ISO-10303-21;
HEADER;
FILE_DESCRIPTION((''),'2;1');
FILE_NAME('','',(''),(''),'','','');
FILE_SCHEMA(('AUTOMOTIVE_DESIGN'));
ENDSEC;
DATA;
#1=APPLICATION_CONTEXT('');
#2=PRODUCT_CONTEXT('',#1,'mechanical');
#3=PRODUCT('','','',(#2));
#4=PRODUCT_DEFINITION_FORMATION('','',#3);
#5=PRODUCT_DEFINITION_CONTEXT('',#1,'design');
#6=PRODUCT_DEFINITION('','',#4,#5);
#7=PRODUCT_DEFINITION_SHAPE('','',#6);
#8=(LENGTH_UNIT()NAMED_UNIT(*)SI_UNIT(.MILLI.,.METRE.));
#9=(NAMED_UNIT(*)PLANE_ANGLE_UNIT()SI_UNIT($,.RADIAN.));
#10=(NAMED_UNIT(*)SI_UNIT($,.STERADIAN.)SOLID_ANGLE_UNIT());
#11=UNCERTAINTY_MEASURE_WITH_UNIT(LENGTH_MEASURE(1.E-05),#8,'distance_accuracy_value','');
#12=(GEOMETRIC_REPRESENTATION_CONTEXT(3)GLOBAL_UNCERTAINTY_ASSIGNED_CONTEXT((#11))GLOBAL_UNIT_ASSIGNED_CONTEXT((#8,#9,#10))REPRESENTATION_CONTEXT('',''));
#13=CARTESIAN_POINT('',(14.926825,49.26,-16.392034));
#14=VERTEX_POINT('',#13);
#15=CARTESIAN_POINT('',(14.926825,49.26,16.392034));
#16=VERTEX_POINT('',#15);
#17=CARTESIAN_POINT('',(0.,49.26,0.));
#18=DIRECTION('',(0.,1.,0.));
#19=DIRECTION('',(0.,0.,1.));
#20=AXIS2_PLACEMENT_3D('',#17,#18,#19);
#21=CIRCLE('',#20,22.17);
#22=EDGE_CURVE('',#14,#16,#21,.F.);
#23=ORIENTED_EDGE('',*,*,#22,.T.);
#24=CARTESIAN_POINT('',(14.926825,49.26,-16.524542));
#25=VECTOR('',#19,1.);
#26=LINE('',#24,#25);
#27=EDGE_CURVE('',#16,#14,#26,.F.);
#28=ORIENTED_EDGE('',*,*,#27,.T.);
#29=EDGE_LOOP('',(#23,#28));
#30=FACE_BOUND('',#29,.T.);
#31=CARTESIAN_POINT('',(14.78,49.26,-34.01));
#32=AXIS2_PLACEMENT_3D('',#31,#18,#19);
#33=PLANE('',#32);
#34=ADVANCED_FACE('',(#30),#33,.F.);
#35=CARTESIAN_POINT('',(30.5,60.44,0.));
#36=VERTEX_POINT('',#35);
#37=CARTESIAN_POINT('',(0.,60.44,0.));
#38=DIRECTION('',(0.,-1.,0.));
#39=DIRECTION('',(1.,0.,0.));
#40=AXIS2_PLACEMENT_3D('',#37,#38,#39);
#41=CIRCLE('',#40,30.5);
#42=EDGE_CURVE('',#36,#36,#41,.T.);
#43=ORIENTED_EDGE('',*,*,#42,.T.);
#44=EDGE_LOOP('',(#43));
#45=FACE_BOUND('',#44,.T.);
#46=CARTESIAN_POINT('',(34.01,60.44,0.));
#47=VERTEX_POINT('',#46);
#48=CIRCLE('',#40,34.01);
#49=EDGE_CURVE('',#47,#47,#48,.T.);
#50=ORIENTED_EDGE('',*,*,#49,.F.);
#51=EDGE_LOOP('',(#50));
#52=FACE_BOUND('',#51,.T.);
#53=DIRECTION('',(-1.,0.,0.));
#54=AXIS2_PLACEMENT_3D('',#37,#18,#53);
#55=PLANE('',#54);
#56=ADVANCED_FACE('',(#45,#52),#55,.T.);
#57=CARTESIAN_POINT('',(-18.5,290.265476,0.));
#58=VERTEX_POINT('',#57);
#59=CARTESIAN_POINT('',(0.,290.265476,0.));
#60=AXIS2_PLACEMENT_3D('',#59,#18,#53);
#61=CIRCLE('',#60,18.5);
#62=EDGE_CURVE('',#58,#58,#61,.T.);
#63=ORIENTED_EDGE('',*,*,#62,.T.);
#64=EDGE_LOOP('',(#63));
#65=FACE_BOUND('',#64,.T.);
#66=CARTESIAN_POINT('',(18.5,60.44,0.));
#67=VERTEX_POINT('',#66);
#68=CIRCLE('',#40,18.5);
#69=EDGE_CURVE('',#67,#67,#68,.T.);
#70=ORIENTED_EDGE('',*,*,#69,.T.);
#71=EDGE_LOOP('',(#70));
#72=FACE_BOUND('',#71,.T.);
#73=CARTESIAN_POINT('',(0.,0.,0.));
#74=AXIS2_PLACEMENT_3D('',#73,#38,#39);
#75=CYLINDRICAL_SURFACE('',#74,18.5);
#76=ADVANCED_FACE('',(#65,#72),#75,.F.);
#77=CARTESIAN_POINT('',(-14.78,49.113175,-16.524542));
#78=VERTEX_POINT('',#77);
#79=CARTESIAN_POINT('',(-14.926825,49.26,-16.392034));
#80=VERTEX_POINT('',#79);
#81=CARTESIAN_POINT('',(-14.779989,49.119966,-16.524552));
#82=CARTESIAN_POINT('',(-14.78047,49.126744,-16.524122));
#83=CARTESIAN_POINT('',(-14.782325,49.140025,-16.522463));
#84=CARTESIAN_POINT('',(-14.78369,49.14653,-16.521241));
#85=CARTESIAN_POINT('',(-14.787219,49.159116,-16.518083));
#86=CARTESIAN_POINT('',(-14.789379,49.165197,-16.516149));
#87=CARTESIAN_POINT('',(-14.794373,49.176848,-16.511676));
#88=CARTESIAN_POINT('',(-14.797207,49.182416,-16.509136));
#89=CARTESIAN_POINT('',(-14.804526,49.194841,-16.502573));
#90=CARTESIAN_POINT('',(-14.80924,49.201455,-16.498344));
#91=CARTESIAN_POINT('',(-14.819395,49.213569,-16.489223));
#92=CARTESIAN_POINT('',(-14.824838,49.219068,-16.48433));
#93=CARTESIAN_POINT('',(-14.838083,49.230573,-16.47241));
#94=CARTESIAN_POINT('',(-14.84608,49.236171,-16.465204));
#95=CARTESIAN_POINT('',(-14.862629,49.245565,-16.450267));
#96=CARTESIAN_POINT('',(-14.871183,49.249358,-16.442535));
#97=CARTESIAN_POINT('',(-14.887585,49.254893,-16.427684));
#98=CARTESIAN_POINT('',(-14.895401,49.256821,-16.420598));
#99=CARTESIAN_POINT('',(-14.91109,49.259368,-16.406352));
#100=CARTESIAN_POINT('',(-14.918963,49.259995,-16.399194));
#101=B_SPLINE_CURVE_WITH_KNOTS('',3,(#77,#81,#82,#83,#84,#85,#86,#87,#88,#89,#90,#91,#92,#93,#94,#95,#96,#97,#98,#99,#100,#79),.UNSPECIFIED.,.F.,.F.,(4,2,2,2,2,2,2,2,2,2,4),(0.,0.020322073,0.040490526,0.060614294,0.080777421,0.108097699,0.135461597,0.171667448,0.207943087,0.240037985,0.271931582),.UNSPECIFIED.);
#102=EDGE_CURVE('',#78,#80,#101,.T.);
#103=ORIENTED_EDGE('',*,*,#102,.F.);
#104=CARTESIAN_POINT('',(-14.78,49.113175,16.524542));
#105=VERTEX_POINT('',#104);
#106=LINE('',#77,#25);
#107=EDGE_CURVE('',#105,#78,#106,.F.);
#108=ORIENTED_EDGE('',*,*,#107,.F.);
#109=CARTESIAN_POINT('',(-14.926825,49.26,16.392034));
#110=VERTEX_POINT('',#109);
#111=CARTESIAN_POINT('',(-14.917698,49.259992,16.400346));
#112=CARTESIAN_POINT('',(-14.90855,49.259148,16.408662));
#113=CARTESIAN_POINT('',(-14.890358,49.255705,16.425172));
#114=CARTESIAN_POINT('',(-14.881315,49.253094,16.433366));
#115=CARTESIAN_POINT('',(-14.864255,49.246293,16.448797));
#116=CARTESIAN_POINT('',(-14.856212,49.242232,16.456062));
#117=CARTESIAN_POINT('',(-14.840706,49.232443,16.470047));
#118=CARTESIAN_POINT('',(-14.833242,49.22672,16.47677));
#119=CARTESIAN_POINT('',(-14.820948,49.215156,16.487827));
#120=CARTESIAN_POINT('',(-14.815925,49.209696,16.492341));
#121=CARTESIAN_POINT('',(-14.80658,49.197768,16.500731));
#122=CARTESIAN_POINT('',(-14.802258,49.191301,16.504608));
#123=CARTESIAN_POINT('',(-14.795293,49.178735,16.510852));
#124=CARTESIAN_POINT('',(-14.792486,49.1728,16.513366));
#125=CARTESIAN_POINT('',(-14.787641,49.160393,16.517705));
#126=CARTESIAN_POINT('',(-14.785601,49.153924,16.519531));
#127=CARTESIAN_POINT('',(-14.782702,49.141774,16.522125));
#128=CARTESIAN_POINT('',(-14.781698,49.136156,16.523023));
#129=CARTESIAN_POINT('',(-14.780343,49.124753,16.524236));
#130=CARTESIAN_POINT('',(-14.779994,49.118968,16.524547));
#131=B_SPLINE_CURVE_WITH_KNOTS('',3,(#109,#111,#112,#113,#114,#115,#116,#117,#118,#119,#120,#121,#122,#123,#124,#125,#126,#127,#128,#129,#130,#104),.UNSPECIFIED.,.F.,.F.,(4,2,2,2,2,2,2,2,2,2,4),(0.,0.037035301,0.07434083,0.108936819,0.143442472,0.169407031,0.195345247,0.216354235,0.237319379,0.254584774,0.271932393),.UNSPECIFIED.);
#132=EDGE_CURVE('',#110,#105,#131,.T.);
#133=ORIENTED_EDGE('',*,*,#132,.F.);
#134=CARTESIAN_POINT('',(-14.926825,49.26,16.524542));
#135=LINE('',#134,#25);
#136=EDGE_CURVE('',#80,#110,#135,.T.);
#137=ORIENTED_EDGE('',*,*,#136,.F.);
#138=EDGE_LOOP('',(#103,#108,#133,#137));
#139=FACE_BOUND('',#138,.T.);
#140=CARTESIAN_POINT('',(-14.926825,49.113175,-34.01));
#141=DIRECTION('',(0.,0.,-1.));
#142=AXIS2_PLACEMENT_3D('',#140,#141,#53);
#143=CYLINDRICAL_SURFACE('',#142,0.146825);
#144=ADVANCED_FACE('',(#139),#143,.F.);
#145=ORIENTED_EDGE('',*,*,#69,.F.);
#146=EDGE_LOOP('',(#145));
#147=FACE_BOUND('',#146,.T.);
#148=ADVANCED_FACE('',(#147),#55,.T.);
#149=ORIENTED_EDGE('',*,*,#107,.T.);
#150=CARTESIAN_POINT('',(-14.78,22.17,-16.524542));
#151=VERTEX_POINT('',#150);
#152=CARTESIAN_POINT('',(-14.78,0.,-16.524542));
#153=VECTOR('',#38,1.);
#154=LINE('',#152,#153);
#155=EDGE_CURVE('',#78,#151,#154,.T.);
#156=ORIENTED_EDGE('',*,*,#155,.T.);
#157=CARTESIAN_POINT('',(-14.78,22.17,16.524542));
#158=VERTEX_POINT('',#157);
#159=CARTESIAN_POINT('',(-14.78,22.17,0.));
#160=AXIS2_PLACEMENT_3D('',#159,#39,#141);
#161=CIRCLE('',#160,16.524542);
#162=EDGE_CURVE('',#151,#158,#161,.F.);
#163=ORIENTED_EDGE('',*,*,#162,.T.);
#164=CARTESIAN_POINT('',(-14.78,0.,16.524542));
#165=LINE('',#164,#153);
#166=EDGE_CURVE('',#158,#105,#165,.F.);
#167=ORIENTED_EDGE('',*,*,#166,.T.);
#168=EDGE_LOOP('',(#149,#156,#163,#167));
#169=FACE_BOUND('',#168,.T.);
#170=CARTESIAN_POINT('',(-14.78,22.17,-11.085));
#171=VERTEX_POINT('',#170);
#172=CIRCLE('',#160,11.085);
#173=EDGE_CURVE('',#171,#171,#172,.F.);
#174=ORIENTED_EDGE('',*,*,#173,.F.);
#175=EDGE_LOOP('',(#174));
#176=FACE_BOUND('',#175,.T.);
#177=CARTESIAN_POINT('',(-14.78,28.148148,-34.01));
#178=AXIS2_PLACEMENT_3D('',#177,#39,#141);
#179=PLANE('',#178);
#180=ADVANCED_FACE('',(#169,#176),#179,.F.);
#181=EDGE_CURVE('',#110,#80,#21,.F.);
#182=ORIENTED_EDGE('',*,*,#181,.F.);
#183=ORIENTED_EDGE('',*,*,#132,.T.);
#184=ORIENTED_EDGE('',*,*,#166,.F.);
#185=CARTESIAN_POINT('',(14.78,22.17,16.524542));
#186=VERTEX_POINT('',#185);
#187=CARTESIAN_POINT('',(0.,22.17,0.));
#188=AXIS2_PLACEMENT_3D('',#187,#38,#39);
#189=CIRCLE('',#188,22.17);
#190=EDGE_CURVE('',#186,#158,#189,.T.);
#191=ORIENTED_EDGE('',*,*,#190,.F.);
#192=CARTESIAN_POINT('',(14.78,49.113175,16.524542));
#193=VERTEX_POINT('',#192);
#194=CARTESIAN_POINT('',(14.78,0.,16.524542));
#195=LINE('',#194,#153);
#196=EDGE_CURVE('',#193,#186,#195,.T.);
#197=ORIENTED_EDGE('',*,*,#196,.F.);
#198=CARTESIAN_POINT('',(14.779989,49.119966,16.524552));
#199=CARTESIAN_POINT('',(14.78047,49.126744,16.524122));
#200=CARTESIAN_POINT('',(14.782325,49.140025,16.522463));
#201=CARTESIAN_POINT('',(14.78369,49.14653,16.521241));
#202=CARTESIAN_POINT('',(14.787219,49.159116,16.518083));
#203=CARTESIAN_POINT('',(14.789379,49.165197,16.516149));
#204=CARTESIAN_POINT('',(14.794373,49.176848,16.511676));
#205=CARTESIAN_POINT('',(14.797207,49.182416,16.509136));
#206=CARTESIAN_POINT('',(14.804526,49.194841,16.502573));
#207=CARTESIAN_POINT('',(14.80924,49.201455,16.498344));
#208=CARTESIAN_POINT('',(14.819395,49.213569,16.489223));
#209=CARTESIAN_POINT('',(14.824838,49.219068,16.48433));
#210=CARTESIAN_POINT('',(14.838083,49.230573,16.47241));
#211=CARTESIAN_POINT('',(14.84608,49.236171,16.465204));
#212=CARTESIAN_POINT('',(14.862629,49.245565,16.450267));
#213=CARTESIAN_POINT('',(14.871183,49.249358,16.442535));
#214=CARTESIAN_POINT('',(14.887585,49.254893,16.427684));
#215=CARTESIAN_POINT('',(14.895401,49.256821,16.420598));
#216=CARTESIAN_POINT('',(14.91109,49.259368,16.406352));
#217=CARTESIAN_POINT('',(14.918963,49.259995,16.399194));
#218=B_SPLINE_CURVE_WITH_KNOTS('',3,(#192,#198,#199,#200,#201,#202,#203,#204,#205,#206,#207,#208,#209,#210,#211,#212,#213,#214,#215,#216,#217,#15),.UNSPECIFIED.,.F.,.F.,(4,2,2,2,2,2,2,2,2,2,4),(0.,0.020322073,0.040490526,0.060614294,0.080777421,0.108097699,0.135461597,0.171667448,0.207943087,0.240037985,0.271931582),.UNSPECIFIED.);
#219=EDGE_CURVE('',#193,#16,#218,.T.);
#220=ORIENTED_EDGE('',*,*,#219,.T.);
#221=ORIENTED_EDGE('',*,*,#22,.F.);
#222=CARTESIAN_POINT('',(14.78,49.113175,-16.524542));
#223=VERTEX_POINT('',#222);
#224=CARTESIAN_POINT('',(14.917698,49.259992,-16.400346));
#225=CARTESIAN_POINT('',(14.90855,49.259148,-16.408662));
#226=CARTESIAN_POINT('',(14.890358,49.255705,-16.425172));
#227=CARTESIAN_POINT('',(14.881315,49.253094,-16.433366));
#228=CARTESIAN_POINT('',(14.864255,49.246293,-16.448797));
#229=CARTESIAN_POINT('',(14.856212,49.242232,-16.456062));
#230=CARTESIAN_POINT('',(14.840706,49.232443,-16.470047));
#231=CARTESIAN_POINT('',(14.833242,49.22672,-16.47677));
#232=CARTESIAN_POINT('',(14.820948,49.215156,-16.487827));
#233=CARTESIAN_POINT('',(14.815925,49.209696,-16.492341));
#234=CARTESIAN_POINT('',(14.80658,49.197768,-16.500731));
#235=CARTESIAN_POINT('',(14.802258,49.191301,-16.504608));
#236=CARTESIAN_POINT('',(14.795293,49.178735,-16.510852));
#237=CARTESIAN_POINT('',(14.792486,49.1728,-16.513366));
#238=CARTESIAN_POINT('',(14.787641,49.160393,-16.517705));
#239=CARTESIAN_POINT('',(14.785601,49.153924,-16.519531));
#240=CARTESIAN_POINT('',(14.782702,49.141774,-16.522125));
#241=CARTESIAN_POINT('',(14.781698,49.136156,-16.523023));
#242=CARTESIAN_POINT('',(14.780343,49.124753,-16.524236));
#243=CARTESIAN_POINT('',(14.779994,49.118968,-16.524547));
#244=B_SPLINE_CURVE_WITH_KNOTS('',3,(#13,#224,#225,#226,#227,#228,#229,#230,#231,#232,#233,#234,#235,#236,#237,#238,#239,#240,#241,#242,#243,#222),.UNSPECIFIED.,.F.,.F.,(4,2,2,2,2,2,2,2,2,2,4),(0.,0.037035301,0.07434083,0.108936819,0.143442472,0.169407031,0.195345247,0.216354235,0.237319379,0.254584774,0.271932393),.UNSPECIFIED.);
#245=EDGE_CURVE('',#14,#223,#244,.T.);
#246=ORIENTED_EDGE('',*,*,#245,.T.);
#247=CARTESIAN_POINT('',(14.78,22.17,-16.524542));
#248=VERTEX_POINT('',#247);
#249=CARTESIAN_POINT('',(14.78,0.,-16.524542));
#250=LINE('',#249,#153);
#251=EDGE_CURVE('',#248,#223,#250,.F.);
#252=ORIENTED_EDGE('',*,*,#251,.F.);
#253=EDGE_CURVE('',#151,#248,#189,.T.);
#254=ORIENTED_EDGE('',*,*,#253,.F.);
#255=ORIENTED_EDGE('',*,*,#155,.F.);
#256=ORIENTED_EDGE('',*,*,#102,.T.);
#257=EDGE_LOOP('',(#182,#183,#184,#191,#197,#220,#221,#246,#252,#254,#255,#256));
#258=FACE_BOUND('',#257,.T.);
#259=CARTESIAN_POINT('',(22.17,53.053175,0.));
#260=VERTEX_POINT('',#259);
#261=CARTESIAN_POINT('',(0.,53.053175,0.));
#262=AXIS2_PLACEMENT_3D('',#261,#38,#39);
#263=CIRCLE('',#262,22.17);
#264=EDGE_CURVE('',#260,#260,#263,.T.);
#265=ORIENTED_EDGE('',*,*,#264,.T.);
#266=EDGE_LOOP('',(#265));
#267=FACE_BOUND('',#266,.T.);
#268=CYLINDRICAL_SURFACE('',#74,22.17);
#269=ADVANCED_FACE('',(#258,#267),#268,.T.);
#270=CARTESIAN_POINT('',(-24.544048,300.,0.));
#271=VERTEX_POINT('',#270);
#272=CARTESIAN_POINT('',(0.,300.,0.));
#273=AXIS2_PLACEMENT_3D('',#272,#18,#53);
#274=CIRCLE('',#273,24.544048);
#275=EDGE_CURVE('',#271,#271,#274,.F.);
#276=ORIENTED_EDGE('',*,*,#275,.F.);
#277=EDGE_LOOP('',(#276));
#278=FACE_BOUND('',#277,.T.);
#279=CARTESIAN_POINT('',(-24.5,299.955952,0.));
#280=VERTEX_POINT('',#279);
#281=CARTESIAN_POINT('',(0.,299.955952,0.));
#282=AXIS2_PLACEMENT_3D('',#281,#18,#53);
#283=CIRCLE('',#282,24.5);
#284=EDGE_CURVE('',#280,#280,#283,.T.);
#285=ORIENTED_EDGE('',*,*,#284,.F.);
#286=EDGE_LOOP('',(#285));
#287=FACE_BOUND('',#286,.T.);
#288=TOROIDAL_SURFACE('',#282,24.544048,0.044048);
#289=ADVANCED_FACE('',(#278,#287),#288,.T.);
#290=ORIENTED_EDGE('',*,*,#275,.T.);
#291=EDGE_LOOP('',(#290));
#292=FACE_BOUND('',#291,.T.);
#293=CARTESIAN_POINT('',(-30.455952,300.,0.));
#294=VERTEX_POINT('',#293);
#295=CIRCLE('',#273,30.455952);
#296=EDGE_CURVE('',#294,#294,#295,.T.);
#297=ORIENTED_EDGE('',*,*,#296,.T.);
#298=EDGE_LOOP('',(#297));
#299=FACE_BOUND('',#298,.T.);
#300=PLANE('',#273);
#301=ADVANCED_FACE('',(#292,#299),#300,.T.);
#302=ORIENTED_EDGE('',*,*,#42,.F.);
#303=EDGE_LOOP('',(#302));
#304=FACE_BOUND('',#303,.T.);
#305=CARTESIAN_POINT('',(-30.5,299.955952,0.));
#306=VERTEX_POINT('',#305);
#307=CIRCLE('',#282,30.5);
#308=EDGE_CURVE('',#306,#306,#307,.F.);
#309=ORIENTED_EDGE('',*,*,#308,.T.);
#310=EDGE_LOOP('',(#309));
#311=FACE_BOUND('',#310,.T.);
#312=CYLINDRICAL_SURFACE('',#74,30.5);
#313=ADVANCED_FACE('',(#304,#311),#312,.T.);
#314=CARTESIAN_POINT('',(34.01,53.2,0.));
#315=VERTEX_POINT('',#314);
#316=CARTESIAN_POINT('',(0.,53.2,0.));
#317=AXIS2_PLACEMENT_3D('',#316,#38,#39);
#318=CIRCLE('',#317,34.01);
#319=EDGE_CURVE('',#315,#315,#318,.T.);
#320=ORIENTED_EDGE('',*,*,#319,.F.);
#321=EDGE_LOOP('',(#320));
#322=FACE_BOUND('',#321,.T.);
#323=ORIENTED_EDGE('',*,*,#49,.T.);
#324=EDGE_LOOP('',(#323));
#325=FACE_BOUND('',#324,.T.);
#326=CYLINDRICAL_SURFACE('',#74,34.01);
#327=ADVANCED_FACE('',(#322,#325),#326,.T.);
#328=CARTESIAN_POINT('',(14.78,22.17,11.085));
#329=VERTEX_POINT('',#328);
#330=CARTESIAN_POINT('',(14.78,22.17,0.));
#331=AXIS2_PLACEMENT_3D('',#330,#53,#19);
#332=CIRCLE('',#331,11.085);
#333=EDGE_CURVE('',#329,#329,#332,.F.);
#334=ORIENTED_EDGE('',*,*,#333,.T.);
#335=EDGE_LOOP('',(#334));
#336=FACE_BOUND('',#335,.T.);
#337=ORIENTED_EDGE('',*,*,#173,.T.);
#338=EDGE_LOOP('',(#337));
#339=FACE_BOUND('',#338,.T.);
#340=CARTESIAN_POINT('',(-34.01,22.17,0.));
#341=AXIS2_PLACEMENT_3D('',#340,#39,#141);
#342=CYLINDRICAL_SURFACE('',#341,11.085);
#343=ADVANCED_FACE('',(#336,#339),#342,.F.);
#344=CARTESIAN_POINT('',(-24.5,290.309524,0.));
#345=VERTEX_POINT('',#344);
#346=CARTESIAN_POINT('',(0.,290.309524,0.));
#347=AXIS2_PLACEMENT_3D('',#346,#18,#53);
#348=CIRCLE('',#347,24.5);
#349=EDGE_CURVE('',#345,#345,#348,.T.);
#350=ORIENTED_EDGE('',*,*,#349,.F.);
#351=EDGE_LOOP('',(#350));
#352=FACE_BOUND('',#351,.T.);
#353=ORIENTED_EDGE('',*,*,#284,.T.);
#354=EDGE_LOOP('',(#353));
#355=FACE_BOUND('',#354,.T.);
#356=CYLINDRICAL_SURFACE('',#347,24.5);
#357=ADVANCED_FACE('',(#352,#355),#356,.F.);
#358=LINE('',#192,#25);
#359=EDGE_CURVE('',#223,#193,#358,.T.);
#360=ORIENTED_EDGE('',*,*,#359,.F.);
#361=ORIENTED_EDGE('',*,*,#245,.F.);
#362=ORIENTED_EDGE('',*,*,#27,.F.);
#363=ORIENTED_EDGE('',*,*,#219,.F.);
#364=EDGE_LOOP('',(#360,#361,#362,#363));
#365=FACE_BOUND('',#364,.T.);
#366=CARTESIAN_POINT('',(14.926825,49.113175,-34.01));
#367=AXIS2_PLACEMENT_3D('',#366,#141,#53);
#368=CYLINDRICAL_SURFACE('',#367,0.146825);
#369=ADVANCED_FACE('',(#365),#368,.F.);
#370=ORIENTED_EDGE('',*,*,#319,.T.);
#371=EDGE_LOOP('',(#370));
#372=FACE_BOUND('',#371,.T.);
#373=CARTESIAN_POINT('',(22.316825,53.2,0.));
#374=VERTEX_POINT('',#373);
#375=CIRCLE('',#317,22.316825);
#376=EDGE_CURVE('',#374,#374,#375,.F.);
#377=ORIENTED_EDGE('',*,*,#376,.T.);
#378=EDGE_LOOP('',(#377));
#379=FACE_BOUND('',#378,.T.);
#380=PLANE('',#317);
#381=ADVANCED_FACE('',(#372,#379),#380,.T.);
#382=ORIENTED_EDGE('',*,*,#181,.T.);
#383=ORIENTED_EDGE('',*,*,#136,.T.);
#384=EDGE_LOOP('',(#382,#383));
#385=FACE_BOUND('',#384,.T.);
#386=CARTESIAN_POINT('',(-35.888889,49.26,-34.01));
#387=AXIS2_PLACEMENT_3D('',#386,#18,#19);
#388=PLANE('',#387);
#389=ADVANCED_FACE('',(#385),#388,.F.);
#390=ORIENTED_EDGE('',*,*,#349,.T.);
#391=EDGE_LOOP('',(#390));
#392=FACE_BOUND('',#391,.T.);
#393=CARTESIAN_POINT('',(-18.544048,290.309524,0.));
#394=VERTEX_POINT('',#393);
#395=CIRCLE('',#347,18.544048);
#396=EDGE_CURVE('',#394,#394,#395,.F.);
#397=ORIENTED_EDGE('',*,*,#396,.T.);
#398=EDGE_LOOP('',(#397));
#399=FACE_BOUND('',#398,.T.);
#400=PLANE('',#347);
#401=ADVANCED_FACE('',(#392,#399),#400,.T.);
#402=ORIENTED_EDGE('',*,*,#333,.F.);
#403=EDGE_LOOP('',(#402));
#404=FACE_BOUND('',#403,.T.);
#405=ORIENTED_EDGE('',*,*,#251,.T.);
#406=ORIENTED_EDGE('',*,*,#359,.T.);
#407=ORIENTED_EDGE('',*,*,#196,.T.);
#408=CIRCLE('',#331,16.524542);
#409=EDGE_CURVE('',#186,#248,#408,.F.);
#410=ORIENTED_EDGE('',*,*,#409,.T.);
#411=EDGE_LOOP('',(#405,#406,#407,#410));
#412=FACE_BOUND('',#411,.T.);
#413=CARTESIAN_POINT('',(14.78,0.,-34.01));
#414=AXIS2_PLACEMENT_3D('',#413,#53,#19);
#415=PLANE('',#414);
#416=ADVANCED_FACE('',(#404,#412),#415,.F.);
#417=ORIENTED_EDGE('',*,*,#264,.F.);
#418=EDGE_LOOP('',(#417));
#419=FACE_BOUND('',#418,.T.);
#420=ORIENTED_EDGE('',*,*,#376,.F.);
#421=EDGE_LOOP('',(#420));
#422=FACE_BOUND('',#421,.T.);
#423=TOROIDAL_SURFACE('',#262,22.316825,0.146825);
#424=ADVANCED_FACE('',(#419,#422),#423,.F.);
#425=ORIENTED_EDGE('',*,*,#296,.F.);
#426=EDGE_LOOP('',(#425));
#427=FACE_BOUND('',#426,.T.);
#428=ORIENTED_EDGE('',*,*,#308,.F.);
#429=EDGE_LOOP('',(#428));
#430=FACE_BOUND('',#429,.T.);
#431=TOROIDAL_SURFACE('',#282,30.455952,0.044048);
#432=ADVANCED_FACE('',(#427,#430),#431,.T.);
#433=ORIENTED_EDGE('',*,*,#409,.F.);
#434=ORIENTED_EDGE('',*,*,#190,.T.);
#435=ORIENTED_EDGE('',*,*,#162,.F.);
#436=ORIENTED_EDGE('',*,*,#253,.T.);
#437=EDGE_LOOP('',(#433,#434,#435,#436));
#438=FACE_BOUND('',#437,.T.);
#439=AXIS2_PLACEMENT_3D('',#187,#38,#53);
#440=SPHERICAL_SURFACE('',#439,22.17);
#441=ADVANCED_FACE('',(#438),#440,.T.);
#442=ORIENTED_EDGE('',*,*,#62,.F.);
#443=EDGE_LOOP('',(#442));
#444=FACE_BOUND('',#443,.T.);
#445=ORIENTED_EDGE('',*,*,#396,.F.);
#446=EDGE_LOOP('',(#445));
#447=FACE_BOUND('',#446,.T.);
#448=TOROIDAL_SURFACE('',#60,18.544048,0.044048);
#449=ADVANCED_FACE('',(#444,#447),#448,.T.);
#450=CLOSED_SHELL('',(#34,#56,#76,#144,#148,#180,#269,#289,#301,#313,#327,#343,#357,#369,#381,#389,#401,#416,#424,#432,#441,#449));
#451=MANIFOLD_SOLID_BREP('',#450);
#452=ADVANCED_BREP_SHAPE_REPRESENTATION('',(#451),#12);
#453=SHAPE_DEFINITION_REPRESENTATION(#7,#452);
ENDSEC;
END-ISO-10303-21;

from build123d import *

# Parameters (mm, degrees)
CUT_EXTRUDE1_DEPTH      = 304.831137641
CUT_EXTRUDE1_DEPTH_BACK = 304.831137641
SKETCH2_R               = 11.085
CUT_EXTRUDE2_DEPTH      = 304.831137641
CUT_EXTRUDE2_DEPTH_BACK = 304.831137641
FILLET1_R               = 0.146825397
SKETCH8_R               = 24.5
CUT_EXTRUDE3_DEPTH      = 9.690476191
FILLET4_R               = 0.044047619


with BuildPart() as part:
    # Sketch1 → Revolve1 (revolve)
    with BuildSketch(Plane.XY):
        with BuildLine():
            Line((34.01, 60.44), (30.5, 60.44))
            Line((30.5, 60.44), (30.5, 300))
            Line((30.5, 300), (18.5, 300))
            Line((18.5, 300), (18.5, 60.44))
            Line((18.5, 60.44), (0, 60.44))
            Line((0, 60.44), (0, 0))
            ThreePointArc((0, 0), (15.676557339, 6.493442661), (22.17, 22.17))
            Line((22.17, 22.17), (22.17, 53.2))
            Line((22.17, 53.2), (34.01, 53.2))
            Line((34.01, 53.2), (34.01, 60.44))
        make_face()
    revolve(axis=Axis((0, 0, 0), (0, 1, 0)))

    # Sketch2 → Cut-Extrude1 (cut, two sides: drawn at the far end of the back side and taken through both)
    with BuildSketch(Plane(origin=(0, 0, 0), x_dir=(0, 0, -1), z_dir=(1, 0, 0)).offset(-CUT_EXTRUDE1_DEPTH_BACK)):
        with Locations((0, 22.17)):
            Circle(SKETCH2_R)
    extrude(amount=CUT_EXTRUDE1_DEPTH + CUT_EXTRUDE1_DEPTH_BACK, mode=Mode.SUBTRACT)

    # Sketch3 → Cut-Extrude2 (cut, two sides: drawn at the far end of the back side and taken through both)
    with BuildSketch(Plane.XY.offset(-CUT_EXTRUDE2_DEPTH_BACK)):
        Polygon((-53.33, 49.26), (-53.33, 0), (-14.78, 0), (-14.78, 28.148148148), (-14.78, 49.26), (-35.888888889, 49.26), align=None)
        Polygon((35.888888889, 49.26), (53.33, 49.26), (53.33, 0), (14.78, 0), (14.78, 28.148148148), (14.78, 49.26), align=None)
    extrude(amount=CUT_EXTRUDE2_DEPTH + CUT_EXTRUDE2_DEPTH_BACK, mode=Mode.SUBTRACT)

    # Fillet1
    fillet1_edges = [part.edges().sort_by_distance(p)[0] for p in [
        (-22.17, 53.2, 0),
        (14.78, 49.26, 0),
        (-14.78, 49.26, 0),
    ]]
    fillet(fillet1_edges, radius=FILLET1_R)

    # Sketch8 → Cut-Extrude3 (cut)
    with BuildSketch(Plane(origin=(0, 300, 0), x_dir=(1, 0, 0), z_dir=(0, 1, 0))):
        with Locations(Location((0, 0, 0), (0, 0, 180))):
            Circle(SKETCH8_R)
    extrude(amount=-CUT_EXTRUDE3_DEPTH, mode=Mode.SUBTRACT)

    # Fillet4
    fillet4_edges = [part.edges().sort_by_distance(p)[0] for p in [
        (-18.5, 290.309523809, 0),
        (24.5, 300, 0),
        (-30.5, 300, 0),
    ]]
    fillet(fillet4_edges, radius=FILLET4_R)


solid = part.part
